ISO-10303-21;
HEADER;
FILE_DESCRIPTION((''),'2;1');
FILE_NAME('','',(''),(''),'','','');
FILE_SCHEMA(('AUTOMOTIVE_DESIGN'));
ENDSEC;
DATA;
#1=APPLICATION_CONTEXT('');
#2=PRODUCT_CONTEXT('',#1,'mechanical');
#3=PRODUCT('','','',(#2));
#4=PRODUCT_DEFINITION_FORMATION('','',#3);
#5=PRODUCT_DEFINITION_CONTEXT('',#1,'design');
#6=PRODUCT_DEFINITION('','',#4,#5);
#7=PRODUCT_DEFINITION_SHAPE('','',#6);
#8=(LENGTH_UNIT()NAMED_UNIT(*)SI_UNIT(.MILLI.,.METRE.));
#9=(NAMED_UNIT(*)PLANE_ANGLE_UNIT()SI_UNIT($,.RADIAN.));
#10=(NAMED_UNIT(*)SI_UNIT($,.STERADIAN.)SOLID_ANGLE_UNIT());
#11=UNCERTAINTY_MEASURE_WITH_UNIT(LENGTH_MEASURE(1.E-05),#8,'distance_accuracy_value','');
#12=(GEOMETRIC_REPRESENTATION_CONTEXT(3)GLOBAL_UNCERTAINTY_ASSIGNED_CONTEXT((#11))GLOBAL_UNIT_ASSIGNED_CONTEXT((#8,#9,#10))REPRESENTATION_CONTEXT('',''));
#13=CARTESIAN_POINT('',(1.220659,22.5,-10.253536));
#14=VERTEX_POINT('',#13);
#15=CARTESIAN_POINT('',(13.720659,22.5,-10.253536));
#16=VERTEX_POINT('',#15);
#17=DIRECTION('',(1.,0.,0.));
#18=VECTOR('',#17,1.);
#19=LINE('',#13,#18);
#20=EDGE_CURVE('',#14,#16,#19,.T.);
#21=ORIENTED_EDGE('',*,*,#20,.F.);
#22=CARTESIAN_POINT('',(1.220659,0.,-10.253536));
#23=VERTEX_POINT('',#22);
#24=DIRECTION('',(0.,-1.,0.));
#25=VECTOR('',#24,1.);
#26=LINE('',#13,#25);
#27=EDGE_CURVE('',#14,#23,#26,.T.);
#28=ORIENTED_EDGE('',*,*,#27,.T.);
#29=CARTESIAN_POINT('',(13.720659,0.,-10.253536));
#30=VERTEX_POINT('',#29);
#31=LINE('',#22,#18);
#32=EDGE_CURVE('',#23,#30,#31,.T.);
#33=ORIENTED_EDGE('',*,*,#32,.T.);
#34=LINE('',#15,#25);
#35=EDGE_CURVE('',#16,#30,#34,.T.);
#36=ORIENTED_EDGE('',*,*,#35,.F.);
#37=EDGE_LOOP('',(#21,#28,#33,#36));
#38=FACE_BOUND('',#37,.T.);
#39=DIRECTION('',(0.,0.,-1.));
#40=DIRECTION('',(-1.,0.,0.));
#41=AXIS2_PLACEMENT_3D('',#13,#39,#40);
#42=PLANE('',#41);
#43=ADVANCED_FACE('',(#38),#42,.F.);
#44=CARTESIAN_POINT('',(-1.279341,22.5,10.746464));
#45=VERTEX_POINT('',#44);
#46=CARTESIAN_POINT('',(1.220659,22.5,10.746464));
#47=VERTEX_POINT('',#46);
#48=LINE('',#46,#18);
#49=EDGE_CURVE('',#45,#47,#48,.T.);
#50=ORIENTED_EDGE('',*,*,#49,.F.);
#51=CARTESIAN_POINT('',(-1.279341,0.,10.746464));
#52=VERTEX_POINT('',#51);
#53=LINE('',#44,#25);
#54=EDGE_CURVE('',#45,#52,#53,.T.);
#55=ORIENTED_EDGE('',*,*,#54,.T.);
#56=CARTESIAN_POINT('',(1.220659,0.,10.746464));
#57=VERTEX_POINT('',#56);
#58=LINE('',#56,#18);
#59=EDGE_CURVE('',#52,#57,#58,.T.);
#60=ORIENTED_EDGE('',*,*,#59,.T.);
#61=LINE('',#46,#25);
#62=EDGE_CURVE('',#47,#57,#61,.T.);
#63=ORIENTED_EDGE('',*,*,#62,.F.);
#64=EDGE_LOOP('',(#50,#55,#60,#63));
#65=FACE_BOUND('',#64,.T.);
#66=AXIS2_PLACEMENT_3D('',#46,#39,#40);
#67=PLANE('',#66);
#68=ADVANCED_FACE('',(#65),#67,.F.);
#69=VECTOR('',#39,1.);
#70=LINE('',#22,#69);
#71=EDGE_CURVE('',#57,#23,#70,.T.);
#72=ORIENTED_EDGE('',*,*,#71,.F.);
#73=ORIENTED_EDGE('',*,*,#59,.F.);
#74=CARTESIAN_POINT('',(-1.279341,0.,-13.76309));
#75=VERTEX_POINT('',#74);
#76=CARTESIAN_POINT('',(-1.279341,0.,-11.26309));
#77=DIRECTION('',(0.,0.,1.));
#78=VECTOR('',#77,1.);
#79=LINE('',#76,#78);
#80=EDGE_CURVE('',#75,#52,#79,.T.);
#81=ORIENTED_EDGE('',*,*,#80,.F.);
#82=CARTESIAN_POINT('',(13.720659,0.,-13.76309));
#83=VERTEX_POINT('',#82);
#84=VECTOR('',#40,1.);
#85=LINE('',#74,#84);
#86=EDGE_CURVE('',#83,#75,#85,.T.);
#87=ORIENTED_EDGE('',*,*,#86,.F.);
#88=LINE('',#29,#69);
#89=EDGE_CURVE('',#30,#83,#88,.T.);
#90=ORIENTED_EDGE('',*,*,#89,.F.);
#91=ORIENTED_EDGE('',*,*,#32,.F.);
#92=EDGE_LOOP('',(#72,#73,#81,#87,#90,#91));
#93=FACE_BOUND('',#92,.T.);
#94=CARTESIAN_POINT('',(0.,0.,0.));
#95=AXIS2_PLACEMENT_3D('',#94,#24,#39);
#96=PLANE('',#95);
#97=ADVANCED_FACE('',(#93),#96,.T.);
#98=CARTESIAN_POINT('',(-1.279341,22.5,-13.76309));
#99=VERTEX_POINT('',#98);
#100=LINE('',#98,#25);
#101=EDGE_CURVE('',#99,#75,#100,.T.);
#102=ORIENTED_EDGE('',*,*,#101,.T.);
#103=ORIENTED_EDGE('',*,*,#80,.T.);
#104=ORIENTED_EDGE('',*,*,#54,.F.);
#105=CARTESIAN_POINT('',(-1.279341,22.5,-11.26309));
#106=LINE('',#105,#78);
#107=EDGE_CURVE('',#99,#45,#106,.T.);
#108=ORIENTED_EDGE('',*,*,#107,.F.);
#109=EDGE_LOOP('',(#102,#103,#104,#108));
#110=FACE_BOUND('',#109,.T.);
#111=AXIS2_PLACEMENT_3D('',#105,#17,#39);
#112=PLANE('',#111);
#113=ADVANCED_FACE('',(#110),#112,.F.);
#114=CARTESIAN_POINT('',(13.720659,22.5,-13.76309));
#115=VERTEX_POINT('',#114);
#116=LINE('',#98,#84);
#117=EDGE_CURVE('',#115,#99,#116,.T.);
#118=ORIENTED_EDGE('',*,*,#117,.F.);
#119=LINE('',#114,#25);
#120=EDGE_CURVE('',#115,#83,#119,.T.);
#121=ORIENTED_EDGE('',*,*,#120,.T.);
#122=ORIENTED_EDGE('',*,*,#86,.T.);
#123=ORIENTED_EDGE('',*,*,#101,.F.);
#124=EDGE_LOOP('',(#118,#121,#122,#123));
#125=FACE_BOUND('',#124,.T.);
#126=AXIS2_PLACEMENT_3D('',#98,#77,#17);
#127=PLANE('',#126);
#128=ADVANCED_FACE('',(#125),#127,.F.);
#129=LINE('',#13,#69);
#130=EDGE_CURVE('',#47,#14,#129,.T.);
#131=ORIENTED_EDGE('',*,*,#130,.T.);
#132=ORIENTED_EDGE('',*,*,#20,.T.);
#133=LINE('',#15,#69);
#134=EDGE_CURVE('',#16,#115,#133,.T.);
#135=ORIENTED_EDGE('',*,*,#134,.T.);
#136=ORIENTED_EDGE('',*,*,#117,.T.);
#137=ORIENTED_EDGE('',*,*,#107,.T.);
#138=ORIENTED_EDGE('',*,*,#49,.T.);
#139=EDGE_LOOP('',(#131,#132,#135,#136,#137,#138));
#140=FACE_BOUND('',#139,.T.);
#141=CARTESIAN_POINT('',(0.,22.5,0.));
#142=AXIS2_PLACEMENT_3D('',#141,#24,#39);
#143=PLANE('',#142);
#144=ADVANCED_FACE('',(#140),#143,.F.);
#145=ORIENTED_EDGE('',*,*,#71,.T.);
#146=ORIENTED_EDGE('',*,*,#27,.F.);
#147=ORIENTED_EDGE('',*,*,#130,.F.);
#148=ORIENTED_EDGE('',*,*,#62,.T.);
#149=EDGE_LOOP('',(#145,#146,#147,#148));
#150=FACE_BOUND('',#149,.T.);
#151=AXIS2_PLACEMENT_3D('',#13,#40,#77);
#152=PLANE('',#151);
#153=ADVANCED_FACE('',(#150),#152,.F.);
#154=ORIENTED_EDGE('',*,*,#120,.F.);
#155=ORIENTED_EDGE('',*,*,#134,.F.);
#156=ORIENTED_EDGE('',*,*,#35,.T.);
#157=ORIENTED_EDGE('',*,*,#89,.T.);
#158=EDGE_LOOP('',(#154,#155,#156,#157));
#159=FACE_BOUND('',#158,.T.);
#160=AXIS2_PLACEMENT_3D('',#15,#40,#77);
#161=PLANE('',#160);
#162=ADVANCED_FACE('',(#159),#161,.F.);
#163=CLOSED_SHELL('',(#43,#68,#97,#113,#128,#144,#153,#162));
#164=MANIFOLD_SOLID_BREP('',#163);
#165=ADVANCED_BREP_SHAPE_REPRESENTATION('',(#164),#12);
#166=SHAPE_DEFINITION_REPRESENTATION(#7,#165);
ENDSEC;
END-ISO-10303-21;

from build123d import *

# Parameters (mm, degrees)
BOSS_EXTRUDE1_DEPTH = 22.5


with BuildPart() as part:
    # Sketch1 → Boss-Extrude1 (new body)
    with BuildSketch(Plane(origin=(0, 0, 0), x_dir=(1, 0, 0), z_dir=(0, 1, 0))):
        Polygon((1.220658996, 10.253535567), (1.220658996, -10.746464433), (-1.279341004, -10.746464433), (-1.279341004, 11.263090382), (-1.279341004, 13.763090382), (13.720658996, 13.763090382), (13.720658996, 10.253535567), align=None)
    extrude(amount=BOSS_EXTRUDE1_DEPTH)


solid = part.part
